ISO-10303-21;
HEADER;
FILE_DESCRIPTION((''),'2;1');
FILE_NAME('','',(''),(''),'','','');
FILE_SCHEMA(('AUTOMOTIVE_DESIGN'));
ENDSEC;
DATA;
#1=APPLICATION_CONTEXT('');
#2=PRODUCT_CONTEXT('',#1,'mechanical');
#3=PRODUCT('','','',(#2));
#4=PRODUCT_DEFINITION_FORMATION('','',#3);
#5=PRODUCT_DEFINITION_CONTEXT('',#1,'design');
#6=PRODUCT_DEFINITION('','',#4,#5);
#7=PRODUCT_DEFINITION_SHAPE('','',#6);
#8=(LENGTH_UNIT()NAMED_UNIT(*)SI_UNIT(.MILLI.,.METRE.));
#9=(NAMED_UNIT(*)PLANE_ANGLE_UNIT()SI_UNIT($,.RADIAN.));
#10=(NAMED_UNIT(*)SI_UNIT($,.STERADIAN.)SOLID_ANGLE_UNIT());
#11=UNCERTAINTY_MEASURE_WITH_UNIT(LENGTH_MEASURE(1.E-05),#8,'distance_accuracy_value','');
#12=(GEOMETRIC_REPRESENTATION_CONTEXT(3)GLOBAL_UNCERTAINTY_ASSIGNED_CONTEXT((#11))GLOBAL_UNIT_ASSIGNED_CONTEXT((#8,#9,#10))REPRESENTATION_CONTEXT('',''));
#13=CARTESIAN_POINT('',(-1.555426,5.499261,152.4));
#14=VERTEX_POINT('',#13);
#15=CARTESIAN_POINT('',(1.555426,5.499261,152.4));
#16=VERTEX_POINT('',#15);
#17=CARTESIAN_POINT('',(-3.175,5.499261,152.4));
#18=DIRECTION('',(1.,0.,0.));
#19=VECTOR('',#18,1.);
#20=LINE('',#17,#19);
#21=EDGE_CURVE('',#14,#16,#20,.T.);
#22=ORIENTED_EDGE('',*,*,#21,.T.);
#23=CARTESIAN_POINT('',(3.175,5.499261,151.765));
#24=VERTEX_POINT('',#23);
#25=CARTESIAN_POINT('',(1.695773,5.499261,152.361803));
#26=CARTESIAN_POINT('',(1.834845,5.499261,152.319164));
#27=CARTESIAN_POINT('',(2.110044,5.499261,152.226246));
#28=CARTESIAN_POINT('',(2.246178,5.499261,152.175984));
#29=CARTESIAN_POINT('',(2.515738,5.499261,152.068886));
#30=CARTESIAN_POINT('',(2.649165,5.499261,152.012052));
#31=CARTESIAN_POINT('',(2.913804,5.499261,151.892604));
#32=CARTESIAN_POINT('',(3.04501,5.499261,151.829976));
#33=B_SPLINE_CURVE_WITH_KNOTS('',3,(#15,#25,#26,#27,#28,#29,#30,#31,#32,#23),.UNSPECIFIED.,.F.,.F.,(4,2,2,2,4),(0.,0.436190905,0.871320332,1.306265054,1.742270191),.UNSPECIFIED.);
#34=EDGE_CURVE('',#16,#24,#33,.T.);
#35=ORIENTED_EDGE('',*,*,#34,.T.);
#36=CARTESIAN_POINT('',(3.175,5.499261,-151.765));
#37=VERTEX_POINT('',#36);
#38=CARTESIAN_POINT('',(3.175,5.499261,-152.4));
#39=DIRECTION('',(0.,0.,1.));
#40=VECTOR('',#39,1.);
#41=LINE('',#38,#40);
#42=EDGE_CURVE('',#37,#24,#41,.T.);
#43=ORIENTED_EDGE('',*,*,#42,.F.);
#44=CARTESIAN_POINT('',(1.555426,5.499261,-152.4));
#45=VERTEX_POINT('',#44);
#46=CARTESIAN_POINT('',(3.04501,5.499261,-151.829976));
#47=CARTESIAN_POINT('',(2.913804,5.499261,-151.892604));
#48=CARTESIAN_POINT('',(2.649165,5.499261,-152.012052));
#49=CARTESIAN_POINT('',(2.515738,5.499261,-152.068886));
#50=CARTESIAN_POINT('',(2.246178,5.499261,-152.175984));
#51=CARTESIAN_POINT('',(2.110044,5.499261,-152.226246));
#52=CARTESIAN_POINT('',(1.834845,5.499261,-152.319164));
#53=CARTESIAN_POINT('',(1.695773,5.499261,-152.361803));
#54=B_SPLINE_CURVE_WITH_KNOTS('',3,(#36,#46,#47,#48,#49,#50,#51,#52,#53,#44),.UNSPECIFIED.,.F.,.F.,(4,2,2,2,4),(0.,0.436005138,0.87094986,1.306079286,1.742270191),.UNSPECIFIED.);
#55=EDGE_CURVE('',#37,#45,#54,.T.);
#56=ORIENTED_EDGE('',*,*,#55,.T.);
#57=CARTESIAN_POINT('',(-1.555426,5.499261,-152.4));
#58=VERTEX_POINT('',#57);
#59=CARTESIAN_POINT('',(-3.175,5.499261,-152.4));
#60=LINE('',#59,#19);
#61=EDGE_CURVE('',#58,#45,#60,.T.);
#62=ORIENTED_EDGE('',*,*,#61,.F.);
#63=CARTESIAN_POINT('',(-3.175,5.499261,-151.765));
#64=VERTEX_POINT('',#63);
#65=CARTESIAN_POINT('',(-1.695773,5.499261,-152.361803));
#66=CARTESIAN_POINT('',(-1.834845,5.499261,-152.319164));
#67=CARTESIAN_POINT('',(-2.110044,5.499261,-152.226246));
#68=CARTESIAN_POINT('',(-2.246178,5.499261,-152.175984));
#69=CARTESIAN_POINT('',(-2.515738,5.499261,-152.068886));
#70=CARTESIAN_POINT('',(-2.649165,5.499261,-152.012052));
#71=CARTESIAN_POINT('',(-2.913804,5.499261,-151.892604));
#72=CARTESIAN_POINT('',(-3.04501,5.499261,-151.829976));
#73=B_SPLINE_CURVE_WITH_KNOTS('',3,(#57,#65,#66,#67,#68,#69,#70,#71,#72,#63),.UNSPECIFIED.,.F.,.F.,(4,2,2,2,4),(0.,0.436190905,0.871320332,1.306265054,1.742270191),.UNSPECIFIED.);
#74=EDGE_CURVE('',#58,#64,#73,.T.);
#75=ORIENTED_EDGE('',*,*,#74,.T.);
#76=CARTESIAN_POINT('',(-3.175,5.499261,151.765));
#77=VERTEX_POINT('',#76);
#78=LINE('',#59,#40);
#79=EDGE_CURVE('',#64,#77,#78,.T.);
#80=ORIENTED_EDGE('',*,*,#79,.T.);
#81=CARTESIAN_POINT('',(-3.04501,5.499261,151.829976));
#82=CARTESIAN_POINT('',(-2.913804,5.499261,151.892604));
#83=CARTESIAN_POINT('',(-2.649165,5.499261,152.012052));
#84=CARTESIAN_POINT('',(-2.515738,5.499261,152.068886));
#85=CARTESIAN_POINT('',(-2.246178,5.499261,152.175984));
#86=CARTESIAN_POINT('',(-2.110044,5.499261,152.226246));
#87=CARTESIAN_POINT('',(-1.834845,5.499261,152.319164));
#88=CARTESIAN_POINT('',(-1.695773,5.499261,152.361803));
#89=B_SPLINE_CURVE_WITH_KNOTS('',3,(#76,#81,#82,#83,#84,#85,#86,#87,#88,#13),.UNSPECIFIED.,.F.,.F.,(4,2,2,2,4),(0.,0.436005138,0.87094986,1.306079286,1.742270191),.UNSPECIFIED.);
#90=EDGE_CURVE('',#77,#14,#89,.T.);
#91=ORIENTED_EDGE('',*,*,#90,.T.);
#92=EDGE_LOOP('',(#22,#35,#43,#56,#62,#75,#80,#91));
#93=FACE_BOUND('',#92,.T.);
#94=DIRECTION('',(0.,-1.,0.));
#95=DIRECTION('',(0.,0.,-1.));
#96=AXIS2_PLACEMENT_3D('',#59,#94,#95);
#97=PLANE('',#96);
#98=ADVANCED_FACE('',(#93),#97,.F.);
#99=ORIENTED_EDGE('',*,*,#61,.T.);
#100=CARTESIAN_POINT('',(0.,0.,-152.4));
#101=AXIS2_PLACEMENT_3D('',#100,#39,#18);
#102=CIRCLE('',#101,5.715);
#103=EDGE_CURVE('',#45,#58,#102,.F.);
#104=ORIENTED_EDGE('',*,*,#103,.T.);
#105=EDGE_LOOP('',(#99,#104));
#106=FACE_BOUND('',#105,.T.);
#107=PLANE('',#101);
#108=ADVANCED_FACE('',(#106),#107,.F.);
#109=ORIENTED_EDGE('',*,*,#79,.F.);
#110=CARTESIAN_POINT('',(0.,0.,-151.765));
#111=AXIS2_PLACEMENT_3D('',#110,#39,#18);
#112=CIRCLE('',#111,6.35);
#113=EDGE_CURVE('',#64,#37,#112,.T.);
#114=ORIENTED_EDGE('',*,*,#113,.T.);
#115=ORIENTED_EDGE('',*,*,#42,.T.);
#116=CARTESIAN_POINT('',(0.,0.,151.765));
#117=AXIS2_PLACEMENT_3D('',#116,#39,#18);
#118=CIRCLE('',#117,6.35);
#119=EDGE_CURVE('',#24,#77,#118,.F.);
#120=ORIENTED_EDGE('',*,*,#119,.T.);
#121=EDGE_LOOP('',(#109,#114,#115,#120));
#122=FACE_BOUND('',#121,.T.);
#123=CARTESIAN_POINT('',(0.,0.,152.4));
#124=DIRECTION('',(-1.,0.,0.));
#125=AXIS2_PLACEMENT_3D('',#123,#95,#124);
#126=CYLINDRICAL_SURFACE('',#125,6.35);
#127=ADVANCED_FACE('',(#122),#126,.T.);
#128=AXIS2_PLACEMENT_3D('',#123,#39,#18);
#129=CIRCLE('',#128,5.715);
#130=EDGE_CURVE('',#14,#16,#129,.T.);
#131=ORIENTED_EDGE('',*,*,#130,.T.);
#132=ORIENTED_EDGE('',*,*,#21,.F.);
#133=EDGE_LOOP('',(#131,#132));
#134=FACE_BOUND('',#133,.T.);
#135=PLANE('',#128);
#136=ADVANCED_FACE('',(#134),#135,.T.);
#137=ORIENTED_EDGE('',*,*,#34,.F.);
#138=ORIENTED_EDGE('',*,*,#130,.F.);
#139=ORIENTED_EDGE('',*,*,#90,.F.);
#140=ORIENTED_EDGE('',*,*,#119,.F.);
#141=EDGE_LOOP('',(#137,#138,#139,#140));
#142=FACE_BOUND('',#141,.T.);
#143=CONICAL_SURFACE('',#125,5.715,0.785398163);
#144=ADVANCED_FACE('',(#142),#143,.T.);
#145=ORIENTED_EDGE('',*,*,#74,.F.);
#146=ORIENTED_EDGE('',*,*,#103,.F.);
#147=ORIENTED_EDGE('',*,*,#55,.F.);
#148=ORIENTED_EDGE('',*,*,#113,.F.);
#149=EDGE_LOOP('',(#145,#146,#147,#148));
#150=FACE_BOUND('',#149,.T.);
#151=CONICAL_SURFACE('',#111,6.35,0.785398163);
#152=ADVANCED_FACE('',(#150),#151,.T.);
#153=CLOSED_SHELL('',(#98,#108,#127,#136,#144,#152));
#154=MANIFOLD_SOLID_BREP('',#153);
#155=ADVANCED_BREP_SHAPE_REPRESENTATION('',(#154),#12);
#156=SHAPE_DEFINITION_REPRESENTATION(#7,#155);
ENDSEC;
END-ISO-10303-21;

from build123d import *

# Parameters (mm, degrees)
BOSS_EXTRUDE2_DEPTH      = 152.4
BOSS_EXTRUDE2_DEPTH_BACK = 152.4
SKETCH3_R                = 6.35
CUT_EXTRUDE5_DEPTH       = 153.664354058
CUT_EXTRUDE5_DEPTH_BACK  = 153.664354058
CHAMFER1_SIZE            = 0.635


with BuildPart() as part:
    # Sketch3 → Boss-Extrude2 (new, two sides: drawn at the far end of the back side and taken through both)
    with BuildSketch(Plane.XY.offset(-BOSS_EXTRUDE2_DEPTH_BACK)):
        with Locations(Location((0, 0, 0), (0, 0, 180))):
            Circle(SKETCH3_R)
    extrude(amount=BOSS_EXTRUDE2_DEPTH + BOSS_EXTRUDE2_DEPTH_BACK)

    # Sketch10 → Cut-Extrude5 (cut, two sides: drawn at the far end of the back side and taken through both)
    with BuildSketch(Plane.XY.offset(-CUT_EXTRUDE5_DEPTH_BACK)):
        with BuildLine():
            Line((-3.175, 5.499261314), (3.175, 5.499261314))
            ThreePointArc((3.175, 5.499261314), (0, 6.35), (-3.175, 5.499261314))
        make_face()
    extrude(amount=CUT_EXTRUDE5_DEPTH + CUT_EXTRUDE5_DEPTH_BACK, mode=Mode.SUBTRACT)

    # Chamfer1
    chamfer1_edges = [part.edges().sort_by_distance(p)[0] for p in [
        (0, -6.35, -152.4),
        (0, -6.35, 152.4),
    ]]
    chamfer(chamfer1_edges, length=CHAMFER1_SIZE)


solid = part.part
